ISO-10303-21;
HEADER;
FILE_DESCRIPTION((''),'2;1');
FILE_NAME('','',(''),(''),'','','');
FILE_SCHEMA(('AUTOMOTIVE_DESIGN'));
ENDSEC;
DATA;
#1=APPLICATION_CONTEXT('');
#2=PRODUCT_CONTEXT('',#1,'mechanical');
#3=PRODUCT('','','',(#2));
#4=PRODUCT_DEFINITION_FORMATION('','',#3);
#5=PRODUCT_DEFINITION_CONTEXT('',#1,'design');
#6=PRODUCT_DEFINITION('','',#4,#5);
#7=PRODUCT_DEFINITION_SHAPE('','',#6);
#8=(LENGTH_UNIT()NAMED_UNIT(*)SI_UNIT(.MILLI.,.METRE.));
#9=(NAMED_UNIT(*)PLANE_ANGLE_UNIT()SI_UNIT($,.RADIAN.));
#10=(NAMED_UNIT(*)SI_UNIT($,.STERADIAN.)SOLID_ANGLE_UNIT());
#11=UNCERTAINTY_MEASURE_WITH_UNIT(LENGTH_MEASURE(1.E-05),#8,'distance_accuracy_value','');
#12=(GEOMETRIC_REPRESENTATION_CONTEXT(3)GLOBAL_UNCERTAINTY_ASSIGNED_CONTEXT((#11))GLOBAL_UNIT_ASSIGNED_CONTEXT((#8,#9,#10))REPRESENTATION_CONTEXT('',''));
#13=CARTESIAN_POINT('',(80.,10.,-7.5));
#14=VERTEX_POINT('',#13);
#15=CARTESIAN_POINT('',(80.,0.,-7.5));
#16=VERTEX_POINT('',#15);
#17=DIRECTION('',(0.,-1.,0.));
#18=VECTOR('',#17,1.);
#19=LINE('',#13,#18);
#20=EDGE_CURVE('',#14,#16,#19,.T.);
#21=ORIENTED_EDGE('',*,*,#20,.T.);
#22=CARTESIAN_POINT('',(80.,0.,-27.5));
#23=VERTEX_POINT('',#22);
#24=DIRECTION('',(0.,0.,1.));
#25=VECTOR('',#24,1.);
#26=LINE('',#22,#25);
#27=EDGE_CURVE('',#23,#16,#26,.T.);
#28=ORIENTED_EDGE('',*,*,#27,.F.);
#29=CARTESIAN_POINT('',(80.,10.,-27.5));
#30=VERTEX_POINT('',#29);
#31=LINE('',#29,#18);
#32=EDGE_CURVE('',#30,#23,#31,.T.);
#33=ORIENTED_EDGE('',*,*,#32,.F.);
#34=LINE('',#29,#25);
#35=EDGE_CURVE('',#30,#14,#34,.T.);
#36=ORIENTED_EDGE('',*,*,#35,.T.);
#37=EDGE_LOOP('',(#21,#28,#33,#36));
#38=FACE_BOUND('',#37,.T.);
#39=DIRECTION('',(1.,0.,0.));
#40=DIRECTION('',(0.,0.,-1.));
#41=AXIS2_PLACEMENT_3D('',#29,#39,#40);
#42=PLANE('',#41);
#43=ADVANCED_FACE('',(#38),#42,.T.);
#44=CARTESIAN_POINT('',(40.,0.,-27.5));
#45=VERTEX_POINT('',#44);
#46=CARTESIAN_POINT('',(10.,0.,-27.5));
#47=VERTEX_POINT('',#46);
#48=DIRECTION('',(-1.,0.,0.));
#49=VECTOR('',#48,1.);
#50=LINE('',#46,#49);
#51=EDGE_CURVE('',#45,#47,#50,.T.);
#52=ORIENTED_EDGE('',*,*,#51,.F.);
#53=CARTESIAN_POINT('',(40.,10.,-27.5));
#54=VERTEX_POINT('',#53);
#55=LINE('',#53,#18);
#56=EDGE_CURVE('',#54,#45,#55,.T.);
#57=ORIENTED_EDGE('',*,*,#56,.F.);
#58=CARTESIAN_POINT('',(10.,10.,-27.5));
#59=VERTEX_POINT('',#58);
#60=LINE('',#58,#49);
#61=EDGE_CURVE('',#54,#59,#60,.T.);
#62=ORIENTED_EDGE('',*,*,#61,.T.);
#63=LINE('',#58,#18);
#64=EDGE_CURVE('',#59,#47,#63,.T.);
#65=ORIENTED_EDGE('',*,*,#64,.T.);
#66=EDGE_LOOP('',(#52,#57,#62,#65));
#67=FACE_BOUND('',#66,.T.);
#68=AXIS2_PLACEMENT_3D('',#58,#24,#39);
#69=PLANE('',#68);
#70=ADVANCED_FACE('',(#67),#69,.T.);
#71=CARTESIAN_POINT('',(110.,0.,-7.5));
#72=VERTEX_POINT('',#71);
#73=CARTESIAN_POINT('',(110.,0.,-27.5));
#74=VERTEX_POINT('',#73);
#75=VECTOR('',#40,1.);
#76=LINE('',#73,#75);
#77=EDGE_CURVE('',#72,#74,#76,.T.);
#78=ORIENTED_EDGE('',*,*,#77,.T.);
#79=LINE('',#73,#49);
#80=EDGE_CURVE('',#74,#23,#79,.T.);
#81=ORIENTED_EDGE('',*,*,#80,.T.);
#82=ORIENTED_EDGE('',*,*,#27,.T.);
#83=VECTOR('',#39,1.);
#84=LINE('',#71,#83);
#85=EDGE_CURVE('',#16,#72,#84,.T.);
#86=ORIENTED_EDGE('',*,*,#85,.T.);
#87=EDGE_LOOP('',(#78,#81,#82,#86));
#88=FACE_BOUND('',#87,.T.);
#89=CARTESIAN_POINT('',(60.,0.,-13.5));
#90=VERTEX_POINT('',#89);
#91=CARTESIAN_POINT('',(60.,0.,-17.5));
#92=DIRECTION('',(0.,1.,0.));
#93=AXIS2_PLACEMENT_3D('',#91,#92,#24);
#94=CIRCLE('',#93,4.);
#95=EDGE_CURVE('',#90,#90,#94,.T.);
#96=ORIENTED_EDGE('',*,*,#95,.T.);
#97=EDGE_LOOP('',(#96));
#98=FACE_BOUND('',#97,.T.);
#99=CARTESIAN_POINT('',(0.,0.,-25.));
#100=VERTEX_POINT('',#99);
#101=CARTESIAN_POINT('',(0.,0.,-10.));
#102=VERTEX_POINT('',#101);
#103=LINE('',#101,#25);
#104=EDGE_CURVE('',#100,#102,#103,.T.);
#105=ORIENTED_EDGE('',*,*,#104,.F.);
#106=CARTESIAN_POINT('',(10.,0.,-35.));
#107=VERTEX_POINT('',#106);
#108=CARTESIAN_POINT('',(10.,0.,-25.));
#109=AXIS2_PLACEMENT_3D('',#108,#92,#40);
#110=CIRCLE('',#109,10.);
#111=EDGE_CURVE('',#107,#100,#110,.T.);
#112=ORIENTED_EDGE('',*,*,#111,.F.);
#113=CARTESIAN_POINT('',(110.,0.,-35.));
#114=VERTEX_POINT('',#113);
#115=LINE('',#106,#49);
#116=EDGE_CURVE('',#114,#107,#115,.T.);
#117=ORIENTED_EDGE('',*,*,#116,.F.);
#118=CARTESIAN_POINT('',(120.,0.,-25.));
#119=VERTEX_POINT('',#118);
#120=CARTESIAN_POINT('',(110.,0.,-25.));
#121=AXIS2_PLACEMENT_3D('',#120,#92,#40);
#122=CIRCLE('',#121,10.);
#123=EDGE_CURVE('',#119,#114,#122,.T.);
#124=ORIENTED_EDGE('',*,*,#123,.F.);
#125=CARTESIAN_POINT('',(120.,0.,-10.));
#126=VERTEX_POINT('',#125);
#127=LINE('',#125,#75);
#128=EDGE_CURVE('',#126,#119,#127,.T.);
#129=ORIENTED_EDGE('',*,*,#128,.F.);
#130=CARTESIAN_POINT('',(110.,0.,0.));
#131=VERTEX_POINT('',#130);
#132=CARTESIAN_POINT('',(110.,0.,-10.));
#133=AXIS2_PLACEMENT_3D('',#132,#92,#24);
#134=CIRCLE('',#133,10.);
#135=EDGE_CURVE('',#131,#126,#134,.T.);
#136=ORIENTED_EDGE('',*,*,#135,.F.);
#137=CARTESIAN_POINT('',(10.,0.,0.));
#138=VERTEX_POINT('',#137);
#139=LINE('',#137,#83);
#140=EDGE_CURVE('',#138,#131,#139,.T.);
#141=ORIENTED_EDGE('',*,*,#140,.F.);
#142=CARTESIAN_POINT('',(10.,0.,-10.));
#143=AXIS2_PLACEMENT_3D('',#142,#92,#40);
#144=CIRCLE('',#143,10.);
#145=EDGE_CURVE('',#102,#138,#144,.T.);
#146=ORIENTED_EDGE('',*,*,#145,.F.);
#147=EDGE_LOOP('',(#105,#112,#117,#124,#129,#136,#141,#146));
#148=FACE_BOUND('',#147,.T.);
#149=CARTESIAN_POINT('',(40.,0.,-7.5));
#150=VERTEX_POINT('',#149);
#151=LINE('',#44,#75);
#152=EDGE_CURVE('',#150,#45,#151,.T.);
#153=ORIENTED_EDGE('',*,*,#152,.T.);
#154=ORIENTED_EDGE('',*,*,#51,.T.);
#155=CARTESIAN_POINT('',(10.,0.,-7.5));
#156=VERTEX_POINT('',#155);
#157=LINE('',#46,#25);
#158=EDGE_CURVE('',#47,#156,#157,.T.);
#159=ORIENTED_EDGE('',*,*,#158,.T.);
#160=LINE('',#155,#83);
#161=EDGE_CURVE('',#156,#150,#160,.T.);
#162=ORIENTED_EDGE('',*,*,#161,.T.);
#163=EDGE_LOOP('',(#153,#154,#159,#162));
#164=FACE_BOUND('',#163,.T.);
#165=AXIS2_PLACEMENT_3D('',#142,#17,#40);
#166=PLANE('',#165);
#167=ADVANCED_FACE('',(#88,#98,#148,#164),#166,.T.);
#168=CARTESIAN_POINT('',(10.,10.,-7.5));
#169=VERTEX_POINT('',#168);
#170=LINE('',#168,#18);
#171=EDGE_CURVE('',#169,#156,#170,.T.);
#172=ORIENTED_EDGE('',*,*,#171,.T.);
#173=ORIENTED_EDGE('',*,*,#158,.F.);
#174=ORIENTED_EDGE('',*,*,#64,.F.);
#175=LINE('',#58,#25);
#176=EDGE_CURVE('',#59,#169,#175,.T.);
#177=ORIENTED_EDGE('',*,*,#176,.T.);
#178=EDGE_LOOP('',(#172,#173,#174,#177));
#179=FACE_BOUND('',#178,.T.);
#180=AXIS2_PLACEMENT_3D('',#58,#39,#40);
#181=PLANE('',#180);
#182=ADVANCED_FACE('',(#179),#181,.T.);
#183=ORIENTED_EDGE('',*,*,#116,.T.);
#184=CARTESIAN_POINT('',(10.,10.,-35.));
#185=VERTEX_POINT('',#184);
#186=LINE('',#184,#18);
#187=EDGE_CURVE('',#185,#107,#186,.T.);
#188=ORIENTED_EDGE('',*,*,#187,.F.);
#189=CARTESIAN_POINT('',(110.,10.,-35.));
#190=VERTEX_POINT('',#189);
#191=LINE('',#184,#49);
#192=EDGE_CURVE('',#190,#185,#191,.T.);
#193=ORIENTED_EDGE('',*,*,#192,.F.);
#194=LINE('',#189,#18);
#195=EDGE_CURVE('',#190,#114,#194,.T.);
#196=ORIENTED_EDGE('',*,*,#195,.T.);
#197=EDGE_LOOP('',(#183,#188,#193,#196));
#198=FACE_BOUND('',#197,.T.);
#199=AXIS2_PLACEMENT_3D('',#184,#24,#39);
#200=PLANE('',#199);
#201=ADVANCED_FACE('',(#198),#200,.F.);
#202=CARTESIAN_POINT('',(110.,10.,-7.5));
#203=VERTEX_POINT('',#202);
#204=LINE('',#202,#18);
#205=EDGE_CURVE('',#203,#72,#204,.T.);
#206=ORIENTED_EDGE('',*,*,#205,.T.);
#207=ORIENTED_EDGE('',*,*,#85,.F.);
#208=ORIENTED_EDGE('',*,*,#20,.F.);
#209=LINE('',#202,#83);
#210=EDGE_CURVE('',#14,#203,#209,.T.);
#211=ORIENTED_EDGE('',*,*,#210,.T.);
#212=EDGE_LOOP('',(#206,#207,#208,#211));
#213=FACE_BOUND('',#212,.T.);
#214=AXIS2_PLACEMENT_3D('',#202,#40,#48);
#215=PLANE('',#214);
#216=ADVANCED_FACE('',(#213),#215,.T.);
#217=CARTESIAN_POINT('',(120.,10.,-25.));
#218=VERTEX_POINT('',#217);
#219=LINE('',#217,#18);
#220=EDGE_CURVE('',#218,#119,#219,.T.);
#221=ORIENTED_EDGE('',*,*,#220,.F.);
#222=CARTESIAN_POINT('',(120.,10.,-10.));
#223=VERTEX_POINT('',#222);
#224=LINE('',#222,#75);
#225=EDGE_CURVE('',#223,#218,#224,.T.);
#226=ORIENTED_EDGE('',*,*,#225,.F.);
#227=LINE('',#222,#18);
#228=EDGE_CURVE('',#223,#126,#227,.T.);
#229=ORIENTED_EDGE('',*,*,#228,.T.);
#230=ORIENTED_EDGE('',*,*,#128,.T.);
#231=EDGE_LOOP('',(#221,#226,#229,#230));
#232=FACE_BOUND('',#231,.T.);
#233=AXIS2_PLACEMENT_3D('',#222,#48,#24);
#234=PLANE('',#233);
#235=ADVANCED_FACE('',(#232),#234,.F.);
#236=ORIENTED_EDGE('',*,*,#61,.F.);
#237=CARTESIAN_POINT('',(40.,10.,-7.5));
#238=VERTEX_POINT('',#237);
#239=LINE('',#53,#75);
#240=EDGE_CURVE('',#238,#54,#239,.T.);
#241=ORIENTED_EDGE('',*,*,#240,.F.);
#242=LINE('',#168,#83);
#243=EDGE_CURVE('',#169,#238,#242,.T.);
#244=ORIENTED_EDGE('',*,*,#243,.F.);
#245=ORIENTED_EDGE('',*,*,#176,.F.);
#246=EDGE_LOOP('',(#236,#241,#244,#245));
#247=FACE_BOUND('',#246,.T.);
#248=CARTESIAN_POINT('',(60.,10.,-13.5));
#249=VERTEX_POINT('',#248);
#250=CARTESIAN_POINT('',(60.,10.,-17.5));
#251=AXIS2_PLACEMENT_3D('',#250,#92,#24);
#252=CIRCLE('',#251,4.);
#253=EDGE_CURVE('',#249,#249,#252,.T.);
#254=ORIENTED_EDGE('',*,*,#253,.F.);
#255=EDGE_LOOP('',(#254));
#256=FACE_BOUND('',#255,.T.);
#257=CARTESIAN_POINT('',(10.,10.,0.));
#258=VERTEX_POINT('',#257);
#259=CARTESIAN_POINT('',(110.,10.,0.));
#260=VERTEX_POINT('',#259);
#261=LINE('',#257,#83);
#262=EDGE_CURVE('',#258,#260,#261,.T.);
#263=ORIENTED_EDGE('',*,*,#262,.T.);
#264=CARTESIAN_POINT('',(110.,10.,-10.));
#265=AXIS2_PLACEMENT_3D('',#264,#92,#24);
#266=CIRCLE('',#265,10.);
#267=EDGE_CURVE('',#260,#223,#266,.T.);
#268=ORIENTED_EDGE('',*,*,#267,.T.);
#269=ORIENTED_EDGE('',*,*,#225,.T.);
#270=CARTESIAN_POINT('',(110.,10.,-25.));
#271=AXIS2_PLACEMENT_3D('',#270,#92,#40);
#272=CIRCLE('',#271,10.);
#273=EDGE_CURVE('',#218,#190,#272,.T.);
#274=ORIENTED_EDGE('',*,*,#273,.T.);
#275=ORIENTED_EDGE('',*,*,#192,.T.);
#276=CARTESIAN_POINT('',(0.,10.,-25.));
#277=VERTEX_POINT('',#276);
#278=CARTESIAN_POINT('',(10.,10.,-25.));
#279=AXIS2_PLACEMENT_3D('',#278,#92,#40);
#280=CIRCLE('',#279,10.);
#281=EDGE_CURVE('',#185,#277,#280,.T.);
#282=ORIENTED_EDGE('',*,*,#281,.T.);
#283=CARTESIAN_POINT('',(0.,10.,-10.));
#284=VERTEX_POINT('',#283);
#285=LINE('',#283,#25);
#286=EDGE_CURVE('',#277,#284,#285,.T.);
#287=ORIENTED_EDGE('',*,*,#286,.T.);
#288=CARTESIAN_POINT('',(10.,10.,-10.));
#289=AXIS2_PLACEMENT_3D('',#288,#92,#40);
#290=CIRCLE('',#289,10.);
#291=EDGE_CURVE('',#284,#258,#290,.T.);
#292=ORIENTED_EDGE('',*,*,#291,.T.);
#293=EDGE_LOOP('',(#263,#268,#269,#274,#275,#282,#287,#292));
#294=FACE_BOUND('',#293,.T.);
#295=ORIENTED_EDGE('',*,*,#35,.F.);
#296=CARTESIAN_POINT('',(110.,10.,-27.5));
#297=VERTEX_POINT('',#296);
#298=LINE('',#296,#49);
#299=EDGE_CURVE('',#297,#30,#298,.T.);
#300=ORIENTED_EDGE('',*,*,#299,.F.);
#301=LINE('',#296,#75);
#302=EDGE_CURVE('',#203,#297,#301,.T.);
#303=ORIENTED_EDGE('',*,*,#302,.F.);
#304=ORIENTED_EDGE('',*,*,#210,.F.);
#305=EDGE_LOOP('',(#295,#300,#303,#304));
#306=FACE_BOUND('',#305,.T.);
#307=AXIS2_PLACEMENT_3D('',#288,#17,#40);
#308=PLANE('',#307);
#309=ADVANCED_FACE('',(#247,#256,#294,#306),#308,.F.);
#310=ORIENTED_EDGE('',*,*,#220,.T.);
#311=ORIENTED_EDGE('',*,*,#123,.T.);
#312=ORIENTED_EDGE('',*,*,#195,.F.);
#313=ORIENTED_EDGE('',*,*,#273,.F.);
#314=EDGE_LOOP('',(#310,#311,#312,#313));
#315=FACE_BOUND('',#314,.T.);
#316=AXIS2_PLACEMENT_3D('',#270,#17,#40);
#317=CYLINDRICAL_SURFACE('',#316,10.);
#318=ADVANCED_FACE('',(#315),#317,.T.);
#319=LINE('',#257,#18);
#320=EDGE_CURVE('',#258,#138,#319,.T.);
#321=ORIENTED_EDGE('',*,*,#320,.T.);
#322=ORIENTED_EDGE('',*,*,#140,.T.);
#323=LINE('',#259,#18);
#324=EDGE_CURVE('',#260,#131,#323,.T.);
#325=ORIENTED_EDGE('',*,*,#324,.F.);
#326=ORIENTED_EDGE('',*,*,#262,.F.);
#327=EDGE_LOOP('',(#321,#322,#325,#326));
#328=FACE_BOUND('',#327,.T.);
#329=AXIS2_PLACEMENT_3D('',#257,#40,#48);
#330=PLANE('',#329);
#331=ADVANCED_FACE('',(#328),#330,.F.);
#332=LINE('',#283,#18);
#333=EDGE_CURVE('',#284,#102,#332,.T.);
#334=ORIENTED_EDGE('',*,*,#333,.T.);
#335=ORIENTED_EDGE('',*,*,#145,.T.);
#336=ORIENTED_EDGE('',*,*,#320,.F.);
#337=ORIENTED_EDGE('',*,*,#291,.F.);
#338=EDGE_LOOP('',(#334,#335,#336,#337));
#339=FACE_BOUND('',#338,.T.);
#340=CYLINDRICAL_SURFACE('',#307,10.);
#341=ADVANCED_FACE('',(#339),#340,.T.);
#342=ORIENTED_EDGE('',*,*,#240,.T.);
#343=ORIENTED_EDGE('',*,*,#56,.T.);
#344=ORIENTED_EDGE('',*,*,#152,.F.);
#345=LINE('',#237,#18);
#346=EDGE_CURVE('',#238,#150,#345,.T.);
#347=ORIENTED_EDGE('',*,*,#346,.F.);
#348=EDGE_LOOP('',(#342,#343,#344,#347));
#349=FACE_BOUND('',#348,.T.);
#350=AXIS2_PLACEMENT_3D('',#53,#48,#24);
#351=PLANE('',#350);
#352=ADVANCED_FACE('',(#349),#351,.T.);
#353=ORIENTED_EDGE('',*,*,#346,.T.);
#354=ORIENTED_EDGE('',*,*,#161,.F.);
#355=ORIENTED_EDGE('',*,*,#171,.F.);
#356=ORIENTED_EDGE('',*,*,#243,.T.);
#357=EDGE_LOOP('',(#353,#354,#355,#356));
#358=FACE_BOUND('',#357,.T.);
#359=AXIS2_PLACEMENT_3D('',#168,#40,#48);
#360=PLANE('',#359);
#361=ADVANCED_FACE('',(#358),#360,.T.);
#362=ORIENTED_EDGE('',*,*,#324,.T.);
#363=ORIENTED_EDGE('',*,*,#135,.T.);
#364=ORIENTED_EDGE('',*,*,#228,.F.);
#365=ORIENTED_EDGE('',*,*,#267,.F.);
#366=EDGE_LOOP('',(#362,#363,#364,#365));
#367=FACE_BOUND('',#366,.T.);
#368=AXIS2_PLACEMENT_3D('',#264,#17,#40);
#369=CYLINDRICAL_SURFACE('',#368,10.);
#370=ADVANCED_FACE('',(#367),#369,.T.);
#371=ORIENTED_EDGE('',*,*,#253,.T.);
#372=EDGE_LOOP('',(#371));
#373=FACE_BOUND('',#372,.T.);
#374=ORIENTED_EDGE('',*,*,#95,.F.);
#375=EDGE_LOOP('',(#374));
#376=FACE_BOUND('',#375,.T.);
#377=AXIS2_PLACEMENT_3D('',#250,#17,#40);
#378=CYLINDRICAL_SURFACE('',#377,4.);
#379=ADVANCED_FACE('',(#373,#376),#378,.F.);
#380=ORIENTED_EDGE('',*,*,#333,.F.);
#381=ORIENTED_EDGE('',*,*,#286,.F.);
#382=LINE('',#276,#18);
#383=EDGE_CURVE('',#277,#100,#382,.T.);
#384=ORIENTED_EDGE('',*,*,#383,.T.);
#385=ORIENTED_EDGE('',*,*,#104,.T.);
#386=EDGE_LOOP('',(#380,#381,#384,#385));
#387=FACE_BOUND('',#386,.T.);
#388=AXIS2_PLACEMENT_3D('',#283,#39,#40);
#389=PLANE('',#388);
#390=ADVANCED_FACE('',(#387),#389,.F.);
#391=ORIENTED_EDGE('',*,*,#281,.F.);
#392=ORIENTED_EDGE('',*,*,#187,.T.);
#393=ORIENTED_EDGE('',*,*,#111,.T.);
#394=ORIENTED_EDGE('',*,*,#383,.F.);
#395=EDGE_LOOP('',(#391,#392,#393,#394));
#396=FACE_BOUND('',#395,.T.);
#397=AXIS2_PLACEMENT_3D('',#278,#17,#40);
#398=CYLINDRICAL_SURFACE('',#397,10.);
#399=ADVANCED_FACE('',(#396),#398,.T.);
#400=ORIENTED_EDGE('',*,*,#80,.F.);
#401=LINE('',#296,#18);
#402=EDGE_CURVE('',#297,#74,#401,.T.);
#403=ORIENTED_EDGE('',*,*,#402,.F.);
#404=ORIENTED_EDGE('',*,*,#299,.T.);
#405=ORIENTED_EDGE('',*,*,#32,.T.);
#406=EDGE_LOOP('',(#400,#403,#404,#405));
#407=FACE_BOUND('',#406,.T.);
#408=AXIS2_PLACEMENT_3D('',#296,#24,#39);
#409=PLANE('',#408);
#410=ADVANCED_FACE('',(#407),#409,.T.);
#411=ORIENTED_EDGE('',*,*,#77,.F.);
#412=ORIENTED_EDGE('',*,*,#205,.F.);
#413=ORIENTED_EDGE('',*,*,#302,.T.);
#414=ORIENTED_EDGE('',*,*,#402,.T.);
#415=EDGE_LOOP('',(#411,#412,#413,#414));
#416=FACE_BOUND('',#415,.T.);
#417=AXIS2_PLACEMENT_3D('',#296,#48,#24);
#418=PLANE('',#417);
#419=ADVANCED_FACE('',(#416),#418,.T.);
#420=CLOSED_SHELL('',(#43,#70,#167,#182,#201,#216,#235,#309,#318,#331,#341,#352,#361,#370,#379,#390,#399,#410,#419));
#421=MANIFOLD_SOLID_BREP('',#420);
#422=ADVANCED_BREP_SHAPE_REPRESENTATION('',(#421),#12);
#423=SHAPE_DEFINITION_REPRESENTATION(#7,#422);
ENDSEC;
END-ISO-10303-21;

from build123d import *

# Parameters (mm, degrees)
SKETCH1_R           = 4
SKETCH1_W           = 30
SKETCH1_H           = 20
BOSS_EXTRUDE1_DEPTH = 10


with BuildPart() as part:
    # Sketch1 → Boss-Extrude1 (new body)
    with BuildSketch(Plane(origin=(0, 0, 0), x_dir=(1, 0, 0), z_dir=(0, 1, 0))):
        with BuildLine():
            Line((10, 0), (110, 0))
            ThreePointArc((110, 0), (117.071067812, 2.928932188), (120, 10))
            Line((120, 10), (120, 25))
            ThreePointArc((120, 25), (117.071067812, 32.071067812), (110, 35))
            Line((110, 35), (10, 35))
            ThreePointArc((10, 35), (2.928932188, 32.071067812), (0, 25))
            Line((0, 25), (0, 10))
            ThreePointArc((0, 10), (2.928932188, 2.928932188), (10, 0))
        make_face()
        with Locations((60, 17.5)):
            Circle(SKETCH1_R, mode=Mode.SUBTRACT)
        with Locations((25, 17.5)):
            Rectangle(SKETCH1_W, SKETCH1_H, mode=Mode.SUBTRACT)
        with Locations((95, 17.5)):
            Rectangle(SKETCH1_W, SKETCH1_H, mode=Mode.SUBTRACT)
    extrude(amount=BOSS_EXTRUDE1_DEPTH)


solid = part.part
